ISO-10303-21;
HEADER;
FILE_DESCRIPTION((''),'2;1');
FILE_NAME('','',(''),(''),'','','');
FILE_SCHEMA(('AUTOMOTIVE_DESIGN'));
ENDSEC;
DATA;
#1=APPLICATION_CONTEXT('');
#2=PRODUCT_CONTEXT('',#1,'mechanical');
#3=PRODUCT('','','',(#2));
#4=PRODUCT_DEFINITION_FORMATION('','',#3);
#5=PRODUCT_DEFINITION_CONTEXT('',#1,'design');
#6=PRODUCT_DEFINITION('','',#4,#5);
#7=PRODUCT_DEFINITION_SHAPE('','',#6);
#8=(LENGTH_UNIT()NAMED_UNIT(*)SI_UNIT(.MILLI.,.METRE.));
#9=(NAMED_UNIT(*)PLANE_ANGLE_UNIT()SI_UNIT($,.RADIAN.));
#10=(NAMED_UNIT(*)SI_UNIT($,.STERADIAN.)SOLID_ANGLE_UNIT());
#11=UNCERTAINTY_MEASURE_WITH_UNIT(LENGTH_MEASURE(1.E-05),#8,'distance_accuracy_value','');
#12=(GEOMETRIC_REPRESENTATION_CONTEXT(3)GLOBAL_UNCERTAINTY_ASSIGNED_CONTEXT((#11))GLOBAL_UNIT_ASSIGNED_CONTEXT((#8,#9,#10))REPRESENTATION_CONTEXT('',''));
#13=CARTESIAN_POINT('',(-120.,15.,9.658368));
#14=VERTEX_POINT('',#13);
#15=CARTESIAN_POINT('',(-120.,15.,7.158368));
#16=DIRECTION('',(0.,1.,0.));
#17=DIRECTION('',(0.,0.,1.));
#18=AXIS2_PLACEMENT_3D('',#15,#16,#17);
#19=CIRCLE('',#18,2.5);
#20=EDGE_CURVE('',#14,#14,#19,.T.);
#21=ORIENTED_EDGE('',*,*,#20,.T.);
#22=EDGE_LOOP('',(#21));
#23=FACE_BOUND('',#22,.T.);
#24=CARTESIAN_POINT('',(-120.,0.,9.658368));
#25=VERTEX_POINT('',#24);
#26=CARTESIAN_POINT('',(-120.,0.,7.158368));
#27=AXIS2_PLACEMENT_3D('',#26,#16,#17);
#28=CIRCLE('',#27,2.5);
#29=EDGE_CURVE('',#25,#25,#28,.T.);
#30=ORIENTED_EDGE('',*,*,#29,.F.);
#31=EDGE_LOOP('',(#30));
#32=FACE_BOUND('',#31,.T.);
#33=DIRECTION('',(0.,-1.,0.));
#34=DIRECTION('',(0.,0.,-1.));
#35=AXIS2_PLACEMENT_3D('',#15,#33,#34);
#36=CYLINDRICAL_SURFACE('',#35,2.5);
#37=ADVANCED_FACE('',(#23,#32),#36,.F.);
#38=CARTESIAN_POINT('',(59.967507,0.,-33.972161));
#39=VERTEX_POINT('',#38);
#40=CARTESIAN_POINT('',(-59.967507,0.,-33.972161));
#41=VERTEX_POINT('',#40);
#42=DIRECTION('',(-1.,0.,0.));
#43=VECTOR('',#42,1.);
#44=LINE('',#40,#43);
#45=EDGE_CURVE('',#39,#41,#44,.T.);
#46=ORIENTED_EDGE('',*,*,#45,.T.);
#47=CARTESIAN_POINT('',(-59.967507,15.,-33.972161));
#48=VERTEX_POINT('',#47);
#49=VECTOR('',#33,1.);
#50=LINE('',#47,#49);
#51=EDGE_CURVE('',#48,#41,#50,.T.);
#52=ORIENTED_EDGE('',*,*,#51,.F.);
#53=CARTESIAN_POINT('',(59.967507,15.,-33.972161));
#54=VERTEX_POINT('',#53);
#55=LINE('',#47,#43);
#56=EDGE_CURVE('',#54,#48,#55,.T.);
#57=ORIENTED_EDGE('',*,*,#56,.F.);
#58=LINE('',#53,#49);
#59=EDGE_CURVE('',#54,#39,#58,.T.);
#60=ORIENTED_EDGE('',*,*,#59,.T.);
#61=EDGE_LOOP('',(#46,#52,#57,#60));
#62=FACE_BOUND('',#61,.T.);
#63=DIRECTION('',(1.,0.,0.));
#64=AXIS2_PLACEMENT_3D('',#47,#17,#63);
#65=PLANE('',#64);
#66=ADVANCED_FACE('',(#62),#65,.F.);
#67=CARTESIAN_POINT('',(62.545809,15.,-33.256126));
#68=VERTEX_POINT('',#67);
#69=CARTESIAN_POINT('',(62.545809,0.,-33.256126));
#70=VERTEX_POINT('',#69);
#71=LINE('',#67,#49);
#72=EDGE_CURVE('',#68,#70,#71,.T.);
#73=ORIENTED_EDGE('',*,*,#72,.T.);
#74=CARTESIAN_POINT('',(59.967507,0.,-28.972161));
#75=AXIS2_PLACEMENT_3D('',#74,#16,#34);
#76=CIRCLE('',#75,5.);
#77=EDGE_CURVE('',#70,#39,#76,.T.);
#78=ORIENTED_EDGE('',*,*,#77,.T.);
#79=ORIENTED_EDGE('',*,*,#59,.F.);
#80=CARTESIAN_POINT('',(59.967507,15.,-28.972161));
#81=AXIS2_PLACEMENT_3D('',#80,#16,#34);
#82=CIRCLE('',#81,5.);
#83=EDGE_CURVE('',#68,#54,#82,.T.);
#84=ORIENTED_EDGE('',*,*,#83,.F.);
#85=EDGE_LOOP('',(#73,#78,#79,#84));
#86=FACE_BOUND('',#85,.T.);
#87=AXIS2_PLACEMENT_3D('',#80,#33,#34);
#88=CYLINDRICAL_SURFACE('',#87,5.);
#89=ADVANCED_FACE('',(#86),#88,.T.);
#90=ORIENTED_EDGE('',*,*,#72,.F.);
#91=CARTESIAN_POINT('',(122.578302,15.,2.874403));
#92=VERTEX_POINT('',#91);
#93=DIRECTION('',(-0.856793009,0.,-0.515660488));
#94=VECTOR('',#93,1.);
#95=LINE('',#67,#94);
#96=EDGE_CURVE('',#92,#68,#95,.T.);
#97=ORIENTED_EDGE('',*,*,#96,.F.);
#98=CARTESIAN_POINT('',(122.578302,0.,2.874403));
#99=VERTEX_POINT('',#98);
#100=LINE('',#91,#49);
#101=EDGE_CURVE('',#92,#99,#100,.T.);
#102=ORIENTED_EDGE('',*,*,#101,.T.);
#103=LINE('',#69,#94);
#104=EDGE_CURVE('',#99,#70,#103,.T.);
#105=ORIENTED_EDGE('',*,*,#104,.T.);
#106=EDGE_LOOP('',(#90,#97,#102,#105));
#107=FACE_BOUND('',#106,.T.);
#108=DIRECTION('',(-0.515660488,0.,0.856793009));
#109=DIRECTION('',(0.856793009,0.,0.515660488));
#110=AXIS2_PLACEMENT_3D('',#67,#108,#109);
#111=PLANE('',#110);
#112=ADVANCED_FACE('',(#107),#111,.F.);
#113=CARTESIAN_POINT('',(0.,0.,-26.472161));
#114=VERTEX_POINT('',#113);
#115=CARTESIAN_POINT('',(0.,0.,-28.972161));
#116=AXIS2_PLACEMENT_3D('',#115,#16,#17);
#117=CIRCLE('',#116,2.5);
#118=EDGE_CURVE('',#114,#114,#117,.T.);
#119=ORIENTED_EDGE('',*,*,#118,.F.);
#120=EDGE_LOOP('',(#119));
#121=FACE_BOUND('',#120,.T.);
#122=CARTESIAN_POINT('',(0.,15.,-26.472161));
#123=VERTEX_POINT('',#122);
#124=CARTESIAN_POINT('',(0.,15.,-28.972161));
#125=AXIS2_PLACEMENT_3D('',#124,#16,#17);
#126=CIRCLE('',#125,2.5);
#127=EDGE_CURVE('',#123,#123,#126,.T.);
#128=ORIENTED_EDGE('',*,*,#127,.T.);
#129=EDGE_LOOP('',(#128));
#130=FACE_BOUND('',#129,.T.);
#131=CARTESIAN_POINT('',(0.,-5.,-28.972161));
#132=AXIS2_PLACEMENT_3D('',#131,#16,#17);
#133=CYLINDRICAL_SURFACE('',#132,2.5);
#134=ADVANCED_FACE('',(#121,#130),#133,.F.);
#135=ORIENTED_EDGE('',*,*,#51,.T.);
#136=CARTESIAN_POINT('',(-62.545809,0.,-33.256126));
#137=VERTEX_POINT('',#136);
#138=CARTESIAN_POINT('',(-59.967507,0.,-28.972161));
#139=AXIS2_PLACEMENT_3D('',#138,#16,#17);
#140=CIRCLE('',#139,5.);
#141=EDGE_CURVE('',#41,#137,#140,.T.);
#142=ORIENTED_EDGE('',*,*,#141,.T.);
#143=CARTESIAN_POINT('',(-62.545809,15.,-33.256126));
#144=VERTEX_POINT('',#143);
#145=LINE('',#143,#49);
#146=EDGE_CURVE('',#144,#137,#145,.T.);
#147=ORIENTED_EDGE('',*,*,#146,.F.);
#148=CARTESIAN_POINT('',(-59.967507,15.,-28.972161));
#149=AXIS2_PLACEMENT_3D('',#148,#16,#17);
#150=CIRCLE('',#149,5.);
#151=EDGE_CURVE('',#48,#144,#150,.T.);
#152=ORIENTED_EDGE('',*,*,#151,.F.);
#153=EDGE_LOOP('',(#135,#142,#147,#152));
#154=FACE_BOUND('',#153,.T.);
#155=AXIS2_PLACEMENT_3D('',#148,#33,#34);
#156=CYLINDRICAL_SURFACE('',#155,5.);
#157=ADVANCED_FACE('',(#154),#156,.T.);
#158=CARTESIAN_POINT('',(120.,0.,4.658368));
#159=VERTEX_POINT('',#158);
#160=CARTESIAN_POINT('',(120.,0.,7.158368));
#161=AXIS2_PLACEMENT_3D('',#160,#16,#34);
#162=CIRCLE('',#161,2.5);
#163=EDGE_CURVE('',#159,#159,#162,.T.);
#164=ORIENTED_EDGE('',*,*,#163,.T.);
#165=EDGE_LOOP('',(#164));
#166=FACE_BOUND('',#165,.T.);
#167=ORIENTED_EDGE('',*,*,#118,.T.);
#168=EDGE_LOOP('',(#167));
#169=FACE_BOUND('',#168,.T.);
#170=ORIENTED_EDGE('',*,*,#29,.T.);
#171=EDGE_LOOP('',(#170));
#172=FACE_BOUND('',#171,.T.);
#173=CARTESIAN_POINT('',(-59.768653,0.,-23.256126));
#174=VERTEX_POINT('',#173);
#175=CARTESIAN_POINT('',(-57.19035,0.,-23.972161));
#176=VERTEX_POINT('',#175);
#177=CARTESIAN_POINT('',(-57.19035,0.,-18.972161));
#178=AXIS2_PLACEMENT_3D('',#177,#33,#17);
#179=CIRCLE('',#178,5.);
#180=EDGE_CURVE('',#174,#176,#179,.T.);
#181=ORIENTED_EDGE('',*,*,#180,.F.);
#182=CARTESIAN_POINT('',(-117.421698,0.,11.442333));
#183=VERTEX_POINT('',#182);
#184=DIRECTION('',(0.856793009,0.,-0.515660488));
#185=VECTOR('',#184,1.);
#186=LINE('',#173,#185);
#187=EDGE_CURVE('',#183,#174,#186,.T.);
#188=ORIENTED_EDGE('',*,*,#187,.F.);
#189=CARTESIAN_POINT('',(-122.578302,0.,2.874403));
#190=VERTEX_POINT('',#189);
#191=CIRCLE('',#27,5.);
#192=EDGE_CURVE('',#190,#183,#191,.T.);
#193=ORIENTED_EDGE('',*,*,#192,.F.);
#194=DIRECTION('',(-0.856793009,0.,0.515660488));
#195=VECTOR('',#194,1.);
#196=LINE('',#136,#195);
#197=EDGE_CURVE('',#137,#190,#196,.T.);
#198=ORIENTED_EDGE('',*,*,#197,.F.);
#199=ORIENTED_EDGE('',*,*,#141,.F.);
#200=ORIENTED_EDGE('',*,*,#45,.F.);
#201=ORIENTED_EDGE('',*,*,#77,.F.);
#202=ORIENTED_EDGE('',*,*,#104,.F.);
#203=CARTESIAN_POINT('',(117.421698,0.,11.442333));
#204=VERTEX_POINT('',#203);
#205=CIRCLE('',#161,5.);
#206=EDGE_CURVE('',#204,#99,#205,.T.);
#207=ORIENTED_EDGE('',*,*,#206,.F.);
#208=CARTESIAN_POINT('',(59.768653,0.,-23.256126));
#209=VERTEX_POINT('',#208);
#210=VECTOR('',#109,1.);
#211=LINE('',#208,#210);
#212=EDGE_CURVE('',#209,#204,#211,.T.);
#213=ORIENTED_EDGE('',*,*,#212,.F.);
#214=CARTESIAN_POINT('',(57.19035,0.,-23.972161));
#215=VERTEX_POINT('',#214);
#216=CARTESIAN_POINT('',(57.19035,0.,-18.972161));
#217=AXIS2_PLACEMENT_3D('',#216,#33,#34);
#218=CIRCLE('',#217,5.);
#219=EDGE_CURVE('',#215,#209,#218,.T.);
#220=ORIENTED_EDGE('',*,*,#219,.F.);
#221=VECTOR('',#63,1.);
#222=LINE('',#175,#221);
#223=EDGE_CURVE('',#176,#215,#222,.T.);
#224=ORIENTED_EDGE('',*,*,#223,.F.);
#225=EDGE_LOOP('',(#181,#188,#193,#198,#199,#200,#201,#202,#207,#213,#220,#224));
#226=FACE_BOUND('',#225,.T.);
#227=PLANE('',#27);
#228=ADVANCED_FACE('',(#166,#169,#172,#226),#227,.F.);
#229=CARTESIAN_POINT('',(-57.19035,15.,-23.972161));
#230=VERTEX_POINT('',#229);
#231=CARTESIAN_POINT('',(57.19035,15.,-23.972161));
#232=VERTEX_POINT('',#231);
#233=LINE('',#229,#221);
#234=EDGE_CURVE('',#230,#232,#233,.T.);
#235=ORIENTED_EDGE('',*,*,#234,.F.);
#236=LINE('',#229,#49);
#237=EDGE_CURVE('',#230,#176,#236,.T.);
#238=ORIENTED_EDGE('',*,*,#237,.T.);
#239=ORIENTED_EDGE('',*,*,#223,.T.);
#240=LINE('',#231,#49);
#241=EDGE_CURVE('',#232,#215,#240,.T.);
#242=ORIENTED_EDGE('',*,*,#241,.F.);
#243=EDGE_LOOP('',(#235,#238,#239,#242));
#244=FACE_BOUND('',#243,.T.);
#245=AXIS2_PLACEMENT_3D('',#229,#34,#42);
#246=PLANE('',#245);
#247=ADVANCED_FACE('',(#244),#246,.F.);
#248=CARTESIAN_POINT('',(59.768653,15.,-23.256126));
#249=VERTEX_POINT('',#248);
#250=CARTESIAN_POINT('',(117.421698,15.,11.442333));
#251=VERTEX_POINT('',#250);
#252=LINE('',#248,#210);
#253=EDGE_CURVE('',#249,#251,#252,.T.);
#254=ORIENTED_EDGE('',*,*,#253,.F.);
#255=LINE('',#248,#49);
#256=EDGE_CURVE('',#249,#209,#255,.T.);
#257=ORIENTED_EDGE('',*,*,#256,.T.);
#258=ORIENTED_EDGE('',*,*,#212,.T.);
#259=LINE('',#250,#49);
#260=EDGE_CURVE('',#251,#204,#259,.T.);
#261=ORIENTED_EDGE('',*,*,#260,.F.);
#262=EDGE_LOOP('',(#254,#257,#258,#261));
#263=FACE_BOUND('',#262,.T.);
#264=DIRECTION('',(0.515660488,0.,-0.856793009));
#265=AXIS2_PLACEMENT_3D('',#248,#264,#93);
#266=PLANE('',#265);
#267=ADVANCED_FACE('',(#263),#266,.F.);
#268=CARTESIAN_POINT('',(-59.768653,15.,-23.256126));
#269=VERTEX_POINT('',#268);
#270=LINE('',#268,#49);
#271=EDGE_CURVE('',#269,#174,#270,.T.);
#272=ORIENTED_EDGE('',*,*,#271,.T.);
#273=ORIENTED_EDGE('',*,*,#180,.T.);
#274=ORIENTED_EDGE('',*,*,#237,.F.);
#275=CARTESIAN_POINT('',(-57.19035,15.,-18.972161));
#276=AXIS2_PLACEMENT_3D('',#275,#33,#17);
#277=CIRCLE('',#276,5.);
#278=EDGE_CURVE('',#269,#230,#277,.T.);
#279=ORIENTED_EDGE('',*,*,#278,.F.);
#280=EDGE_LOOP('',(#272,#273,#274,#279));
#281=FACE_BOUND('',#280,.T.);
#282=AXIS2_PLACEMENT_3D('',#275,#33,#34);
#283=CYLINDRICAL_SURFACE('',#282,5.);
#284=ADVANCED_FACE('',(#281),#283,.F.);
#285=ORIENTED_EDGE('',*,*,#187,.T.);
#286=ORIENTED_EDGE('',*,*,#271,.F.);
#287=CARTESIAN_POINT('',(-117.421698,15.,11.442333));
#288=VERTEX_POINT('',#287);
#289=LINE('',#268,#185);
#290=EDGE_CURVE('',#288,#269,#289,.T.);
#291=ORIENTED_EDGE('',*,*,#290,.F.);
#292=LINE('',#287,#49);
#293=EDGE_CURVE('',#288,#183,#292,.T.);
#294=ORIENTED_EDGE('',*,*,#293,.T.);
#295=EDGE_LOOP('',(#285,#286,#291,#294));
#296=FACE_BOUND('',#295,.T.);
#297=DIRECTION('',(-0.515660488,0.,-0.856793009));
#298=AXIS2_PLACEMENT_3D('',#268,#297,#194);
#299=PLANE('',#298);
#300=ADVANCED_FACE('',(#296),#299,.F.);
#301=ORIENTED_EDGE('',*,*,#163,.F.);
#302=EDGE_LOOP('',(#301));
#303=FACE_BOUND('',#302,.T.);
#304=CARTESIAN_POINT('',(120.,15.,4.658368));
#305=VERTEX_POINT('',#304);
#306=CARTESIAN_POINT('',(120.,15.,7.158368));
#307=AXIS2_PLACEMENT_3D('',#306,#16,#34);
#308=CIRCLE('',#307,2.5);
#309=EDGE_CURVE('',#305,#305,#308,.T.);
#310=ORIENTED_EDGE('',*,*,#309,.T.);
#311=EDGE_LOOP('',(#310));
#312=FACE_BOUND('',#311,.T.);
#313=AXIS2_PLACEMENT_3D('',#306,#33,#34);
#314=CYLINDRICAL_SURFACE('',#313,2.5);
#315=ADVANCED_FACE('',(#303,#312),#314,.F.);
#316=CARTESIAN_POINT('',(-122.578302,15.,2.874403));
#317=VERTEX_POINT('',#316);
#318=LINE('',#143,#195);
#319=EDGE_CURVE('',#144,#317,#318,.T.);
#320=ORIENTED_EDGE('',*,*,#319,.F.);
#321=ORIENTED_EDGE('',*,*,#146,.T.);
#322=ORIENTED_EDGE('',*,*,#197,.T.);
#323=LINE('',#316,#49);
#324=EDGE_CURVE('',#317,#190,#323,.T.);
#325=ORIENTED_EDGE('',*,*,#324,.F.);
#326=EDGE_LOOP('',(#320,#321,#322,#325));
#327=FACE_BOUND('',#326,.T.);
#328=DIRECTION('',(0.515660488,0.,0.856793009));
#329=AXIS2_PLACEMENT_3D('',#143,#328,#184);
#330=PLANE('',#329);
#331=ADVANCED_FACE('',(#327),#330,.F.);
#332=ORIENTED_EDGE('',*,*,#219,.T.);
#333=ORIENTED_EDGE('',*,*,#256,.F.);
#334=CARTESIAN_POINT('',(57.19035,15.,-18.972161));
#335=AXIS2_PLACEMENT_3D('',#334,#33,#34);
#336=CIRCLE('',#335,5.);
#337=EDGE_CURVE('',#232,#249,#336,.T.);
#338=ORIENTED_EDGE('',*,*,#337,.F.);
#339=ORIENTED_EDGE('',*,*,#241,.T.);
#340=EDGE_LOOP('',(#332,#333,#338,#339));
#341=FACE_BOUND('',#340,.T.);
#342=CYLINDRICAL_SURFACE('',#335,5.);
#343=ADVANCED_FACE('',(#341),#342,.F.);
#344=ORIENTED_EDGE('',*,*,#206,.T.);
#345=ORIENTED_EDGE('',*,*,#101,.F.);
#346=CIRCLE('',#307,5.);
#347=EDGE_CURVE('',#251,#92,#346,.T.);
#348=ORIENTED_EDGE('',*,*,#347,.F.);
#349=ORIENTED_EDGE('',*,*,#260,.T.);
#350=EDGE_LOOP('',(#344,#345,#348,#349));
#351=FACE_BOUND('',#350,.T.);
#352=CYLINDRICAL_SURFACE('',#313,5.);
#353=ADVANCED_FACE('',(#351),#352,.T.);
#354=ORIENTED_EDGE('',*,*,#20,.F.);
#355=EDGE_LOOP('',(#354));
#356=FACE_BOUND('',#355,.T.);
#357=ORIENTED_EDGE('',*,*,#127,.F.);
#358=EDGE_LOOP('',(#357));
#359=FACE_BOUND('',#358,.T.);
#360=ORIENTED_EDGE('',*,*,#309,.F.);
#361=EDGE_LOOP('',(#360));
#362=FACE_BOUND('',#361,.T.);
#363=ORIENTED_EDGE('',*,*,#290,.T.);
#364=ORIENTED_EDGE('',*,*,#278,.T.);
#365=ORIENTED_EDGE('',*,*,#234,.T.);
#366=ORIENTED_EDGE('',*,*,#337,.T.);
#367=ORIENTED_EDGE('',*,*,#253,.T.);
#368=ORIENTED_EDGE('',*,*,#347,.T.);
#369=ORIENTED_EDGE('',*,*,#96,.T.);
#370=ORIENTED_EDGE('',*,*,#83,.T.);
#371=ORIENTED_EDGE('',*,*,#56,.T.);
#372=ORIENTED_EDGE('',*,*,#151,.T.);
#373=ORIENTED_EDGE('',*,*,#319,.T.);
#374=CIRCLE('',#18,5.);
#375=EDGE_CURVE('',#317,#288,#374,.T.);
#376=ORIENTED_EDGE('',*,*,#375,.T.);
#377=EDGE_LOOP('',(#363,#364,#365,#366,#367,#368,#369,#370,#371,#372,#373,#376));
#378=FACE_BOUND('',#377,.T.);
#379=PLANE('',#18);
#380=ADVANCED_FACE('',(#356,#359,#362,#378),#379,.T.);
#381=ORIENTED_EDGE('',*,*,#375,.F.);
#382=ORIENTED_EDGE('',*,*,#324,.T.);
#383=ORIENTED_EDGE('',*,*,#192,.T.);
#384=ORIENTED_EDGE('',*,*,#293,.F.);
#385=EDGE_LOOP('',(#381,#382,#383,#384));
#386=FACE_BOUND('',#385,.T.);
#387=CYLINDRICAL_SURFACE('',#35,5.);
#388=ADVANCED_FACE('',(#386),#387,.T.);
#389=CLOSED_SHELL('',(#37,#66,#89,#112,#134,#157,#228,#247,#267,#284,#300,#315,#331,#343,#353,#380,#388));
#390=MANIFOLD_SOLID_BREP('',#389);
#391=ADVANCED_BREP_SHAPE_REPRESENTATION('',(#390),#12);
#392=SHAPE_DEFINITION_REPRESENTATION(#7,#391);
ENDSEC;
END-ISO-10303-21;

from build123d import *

# Parameters (mm, degrees)
SKETCH1_R           = 2.5
BOSS_EXTRUDE1_DEPTH = 15
SKETCH2_R           = 2.5
CUT_EXTRUDE1_DEPTH  = 20


with BuildPart() as part:
    # Sketch1 → Boss-Extrude1 (new body)
    with BuildSketch(Plane(origin=(0, 0, 0), x_dir=(1, 0, 0), z_dir=(0, 1, 0))):
        with BuildLine():
            Line((-59.967506742, 33.972160861), (59.967506742, 33.972160861))
            ThreePointArc((59.967506742, 33.972160861), (61.305448214, 33.78982758), (62.545809183, 33.256125908))
            Line((62.545809183, 33.256125908), (122.57830244, -2.874403203))
            ThreePointArc((122.57830244, -2.874403203), (124.283965047, -9.736670691), (117.42169756, -11.442333298))
            Line((117.42169756, -11.442333298), (59.768652626, 23.256125908))
            ThreePointArc((59.768652626, 23.256125908), (58.528291658, 23.78982758), (57.190350186, 23.972160861))
            Line((57.190350186, 23.972160861), (-57.190350186, 23.972160861))
            ThreePointArc((-57.190350186, 23.972160861), (-58.528291658, 23.78982758), (-59.768652626, 23.256125908))
            Line((-59.768652626, 23.256125908), (-117.42169756, -11.442333298))
            ThreePointArc((-117.42169756, -11.442333298), (-124.283965047, -9.736670691), (-122.57830244, -2.874403203))
            Line((-122.57830244, -2.874403203), (-62.545809183, 33.256125908))
            ThreePointArc((-62.545809183, 33.256125908), (-61.305448214, 33.78982758), (-59.967506742, 33.972160861))
        make_face()
        with Locations(Location((-120, -7.158368251, 0), (0, 0, 270))):
            Circle(SKETCH1_R, mode=Mode.SUBTRACT)
        with Locations(Location((120, -7.158368251, 0), (0, 0, 90))):
            Circle(SKETCH1_R, mode=Mode.SUBTRACT)
    extrude(amount=BOSS_EXTRUDE1_DEPTH)

    # Sketch2 → Cut-Extrude1 (cut)
    with BuildSketch(Plane(origin=(0, 15, 0), x_dir=(1, 0, 0), z_dir=(0, 1, 0))):
        with Locations(Location((0, 28.972160861, 0), (0, 0, 270))):
            Circle(SKETCH2_R)
    extrude(amount=-CUT_EXTRUDE1_DEPTH, mode=Mode.SUBTRACT)


solid = part.part
